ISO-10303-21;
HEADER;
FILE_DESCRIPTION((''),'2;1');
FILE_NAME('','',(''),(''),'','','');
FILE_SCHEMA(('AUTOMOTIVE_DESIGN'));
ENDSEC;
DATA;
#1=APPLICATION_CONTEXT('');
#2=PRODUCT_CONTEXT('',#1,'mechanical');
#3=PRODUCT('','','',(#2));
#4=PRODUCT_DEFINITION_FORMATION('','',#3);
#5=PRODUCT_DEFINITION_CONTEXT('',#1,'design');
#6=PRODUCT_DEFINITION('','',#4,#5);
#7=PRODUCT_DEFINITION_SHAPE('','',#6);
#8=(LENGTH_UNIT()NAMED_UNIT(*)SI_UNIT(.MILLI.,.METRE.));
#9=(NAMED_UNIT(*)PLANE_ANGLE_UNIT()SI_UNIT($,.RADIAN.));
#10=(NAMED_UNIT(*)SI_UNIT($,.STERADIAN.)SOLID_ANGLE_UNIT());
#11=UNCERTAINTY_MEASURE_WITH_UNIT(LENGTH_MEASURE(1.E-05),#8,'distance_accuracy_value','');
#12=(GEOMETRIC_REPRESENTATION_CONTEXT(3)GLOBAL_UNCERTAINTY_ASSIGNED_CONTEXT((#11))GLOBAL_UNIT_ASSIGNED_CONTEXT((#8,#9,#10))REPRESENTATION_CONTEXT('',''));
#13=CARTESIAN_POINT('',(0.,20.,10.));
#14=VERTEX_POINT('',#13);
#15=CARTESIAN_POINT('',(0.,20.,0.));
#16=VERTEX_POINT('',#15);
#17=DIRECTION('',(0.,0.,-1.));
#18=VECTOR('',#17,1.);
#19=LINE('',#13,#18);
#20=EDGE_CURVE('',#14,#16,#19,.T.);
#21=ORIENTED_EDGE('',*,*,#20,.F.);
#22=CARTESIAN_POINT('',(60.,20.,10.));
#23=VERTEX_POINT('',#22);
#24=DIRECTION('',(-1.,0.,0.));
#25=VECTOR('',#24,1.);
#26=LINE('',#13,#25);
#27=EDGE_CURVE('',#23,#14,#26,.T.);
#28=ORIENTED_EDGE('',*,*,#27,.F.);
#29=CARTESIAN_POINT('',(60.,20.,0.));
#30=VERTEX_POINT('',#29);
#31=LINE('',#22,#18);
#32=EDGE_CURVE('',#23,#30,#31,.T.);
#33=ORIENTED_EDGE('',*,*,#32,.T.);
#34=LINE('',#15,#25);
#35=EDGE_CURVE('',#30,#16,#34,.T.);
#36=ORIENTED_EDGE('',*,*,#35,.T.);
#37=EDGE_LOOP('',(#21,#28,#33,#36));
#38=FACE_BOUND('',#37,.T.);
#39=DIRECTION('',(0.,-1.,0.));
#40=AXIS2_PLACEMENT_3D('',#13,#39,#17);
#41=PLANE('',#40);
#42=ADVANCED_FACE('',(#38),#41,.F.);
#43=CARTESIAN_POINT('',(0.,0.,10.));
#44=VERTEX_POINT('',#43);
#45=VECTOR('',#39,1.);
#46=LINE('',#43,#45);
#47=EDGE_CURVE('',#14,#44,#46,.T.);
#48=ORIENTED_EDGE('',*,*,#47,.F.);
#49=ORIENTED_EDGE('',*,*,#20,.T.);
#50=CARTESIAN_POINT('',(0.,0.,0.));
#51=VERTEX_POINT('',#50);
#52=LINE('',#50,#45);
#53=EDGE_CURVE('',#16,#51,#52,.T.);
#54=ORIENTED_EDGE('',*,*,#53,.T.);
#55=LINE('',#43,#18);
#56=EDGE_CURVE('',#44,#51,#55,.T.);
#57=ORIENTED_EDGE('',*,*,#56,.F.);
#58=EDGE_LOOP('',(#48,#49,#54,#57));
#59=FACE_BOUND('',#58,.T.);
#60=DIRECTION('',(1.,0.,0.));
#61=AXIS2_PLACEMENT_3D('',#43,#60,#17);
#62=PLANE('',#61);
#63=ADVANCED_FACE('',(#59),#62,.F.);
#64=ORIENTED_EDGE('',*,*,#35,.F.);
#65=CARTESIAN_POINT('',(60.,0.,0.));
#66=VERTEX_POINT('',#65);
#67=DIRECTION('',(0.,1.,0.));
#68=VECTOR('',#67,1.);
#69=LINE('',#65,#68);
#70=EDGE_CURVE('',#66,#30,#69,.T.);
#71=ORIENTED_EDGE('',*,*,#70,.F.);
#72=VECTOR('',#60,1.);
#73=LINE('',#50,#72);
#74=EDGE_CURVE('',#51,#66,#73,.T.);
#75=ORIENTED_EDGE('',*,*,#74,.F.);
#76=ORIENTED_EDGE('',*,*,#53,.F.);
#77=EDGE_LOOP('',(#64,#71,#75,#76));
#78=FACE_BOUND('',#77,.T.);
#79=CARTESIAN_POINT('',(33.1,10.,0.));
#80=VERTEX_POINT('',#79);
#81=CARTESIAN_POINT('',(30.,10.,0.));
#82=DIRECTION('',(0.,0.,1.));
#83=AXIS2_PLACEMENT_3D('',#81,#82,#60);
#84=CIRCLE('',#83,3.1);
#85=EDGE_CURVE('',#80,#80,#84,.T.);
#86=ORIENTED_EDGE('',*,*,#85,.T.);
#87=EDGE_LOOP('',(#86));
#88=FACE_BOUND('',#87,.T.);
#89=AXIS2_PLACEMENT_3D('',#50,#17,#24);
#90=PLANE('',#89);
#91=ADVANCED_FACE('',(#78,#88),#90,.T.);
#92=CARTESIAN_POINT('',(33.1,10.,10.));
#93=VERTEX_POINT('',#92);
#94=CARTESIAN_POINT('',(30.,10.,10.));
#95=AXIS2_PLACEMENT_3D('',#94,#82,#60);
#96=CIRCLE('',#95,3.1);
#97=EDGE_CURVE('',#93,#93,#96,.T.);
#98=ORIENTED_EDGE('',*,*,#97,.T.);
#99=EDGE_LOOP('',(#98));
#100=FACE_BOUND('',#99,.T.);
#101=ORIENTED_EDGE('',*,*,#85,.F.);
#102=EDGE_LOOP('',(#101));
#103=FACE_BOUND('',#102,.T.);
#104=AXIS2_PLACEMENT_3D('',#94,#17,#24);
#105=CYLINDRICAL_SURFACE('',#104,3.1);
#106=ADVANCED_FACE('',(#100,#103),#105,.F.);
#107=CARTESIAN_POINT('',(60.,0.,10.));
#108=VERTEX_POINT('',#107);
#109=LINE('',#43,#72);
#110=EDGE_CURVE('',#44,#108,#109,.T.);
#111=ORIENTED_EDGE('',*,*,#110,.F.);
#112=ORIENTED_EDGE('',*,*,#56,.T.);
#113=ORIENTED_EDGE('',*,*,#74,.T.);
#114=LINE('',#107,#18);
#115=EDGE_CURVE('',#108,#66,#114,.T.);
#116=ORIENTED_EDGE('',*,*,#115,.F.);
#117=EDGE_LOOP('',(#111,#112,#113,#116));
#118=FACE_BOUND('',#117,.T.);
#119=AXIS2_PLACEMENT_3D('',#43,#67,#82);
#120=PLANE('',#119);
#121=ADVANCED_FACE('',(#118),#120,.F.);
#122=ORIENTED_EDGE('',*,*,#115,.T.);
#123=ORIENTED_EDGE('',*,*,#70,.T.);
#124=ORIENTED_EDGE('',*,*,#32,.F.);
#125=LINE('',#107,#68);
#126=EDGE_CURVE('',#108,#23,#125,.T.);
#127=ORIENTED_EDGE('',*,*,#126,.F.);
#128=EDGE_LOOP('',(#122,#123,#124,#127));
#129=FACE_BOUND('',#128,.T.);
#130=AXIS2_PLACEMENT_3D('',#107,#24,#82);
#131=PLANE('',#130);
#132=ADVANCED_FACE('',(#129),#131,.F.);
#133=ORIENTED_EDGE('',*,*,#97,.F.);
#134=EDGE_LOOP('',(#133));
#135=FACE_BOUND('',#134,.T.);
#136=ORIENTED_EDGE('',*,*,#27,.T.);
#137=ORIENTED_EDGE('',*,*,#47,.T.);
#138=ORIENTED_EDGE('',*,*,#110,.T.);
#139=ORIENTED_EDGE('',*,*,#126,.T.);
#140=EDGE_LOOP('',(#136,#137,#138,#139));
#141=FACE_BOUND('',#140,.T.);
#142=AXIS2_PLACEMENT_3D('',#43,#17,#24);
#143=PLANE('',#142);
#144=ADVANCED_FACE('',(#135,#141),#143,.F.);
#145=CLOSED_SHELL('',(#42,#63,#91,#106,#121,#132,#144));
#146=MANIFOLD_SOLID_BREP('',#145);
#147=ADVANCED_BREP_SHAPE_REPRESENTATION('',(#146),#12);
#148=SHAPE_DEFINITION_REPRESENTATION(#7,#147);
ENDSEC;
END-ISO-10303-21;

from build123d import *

# Parameters (mm, degrees)
SKETCH1_W           = 60
SKETCH1_H           = 20
SKETCH1_R           = 3.1
BOSS_EXTRUDE1_DEPTH = 10


with BuildPart() as part:
    # Sketch1 → Boss-Extrude1 (new body)
    with BuildSketch(Plane.XY):
        with Locations((30, 10)):
            Rectangle(SKETCH1_W, SKETCH1_H)
        with Locations((30, 10)):
            Circle(SKETCH1_R, mode=Mode.SUBTRACT)
    extrude(amount=BOSS_EXTRUDE1_DEPTH)


solid = part.part
